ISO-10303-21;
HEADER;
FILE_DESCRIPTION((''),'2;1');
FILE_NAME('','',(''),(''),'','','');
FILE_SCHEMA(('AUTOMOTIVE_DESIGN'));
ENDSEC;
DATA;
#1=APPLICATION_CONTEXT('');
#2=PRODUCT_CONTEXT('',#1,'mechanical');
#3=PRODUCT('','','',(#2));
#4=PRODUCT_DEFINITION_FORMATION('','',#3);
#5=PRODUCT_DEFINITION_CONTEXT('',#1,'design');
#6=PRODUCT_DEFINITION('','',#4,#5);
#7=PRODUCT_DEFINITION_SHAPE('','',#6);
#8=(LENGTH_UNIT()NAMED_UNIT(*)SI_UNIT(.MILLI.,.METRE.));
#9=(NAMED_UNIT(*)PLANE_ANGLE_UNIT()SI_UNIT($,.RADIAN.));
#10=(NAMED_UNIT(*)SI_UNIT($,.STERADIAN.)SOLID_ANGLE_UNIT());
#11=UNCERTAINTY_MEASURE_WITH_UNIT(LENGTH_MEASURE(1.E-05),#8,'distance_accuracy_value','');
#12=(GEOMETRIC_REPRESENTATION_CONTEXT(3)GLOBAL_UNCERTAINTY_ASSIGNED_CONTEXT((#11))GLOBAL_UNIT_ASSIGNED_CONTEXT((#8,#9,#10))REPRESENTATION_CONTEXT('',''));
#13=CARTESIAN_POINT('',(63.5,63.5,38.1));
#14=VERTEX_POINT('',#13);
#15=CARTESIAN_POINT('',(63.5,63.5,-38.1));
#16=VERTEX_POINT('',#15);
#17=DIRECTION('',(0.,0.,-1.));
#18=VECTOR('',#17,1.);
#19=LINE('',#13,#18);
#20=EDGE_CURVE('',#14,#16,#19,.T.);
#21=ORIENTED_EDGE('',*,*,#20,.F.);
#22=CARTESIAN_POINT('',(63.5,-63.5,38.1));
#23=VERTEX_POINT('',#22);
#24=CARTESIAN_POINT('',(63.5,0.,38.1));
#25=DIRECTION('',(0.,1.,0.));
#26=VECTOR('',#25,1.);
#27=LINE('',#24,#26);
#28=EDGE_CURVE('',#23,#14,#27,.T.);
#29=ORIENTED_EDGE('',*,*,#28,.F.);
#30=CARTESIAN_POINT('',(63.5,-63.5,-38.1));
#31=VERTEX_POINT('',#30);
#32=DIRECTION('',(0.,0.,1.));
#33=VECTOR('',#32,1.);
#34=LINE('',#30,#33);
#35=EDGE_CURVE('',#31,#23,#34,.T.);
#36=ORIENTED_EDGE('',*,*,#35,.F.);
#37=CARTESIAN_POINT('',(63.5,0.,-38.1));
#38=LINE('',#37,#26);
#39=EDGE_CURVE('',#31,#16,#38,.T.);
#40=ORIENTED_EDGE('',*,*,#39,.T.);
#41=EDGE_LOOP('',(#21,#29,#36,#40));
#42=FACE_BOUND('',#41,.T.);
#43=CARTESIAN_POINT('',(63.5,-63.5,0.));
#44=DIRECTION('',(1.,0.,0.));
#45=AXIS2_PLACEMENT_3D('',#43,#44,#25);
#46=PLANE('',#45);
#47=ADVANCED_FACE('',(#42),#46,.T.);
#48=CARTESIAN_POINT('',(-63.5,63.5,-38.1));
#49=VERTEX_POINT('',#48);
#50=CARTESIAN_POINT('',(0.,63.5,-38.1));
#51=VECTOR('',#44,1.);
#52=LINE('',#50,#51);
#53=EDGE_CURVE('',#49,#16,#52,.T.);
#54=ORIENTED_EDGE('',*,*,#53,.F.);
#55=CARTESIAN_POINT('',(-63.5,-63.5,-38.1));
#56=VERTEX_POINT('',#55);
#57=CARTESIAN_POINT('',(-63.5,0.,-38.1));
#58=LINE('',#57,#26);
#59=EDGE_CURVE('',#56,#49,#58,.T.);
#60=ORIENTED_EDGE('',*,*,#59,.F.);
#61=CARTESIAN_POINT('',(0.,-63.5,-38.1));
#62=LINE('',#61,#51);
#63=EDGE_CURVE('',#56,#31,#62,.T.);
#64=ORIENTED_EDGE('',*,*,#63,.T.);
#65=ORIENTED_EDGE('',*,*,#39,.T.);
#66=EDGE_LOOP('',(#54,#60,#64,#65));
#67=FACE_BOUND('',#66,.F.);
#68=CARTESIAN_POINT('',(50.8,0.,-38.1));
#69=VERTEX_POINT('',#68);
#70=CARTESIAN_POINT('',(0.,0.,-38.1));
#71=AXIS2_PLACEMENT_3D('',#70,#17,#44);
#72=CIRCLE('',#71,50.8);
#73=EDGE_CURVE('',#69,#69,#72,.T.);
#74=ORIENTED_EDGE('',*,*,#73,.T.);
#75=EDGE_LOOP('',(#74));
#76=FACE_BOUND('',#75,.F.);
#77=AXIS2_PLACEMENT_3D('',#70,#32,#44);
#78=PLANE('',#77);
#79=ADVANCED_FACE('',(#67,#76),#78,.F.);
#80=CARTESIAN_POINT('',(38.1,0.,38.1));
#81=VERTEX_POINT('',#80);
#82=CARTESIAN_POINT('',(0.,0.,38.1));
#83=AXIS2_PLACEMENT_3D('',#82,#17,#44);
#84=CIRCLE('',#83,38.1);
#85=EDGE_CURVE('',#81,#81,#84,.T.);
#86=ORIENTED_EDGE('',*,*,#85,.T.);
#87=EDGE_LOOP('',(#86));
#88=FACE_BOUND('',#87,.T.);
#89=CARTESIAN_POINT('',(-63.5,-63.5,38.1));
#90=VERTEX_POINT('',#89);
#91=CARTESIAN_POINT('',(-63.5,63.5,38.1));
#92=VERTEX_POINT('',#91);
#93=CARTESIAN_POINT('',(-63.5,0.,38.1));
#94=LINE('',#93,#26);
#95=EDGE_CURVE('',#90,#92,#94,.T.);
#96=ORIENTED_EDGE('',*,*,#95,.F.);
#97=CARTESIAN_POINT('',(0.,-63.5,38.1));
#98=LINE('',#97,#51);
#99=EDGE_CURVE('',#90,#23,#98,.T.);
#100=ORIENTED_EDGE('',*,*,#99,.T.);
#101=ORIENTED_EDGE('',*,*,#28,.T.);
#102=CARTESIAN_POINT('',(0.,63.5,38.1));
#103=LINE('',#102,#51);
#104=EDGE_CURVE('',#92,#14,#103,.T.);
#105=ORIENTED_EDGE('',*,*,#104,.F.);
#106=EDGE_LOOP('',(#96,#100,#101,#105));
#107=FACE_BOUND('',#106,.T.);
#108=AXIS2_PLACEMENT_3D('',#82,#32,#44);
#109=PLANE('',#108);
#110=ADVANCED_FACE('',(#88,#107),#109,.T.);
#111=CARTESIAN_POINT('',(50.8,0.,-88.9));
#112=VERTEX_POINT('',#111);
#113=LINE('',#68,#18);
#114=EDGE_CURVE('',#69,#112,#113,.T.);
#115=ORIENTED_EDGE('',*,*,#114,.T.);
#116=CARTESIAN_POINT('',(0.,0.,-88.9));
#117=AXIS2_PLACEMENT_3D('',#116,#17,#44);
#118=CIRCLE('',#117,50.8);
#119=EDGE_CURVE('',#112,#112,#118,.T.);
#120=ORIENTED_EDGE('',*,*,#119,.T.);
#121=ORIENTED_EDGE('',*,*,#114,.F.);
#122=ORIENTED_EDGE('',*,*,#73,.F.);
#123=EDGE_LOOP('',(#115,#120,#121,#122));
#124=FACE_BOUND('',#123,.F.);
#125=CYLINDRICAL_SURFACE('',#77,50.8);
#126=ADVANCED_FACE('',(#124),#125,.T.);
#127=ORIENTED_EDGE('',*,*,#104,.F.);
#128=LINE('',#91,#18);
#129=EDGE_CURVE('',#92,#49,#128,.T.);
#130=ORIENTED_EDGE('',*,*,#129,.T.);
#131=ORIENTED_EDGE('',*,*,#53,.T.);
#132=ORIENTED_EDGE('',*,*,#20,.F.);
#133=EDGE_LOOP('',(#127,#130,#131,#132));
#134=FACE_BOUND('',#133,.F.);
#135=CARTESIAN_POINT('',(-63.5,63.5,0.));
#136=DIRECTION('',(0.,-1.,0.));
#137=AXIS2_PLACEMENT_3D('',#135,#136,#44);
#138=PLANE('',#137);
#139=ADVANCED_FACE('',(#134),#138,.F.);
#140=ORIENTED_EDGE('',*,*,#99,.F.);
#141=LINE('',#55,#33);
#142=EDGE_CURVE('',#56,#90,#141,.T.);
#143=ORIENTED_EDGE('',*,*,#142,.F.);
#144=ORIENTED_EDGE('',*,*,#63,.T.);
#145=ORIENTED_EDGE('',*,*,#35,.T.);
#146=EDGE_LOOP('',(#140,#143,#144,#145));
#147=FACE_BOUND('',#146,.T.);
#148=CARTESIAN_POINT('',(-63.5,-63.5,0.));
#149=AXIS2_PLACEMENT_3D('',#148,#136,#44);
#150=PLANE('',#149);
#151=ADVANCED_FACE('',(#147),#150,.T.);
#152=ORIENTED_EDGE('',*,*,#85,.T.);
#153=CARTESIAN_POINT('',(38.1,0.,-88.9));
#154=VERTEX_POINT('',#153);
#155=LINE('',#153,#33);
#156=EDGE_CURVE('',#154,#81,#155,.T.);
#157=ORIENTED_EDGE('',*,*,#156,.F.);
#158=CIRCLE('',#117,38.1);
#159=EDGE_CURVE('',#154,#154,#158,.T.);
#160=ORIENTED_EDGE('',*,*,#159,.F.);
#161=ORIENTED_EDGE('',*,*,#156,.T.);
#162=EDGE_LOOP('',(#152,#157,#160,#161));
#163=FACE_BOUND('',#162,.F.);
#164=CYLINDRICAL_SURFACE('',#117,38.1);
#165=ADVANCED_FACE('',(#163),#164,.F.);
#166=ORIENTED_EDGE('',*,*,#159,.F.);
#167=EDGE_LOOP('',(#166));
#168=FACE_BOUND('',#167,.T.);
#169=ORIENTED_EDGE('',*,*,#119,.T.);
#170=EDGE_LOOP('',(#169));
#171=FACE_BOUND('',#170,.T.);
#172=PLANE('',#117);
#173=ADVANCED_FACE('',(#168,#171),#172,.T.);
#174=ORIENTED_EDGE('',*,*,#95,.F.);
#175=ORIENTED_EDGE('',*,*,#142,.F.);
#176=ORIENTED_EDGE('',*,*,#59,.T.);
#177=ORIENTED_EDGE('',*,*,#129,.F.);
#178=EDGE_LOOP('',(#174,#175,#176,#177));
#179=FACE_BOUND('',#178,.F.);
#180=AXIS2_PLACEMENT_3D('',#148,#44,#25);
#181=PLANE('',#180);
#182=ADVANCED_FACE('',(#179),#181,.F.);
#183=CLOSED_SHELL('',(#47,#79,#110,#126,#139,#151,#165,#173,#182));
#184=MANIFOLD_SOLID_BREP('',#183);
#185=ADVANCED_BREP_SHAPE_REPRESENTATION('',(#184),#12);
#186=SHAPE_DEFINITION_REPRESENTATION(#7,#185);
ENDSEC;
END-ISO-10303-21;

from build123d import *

# Parameters (mm, degrees)
F0_W     = 127
F0_H     = 127
F1_DEPTH = 38.1
F2_R     = 50.8
F3_DEPTH = 50.8
F4_R     = 38.1
F5_DEPTH = 127.001


with BuildPart() as f1:
    # F0 (on Top) → F1 (new body, symmetric)
    with BuildSketch(Plane.XY):
        Rectangle(F0_W, F0_H)
    extrude(amount=F1_DEPTH, both=True)

    # F2 (on face) → F3 (join)
    with BuildSketch(Plane(origin=(0, 0, -38.1), x_dir=(1, 0, 0), z_dir=(0, 0, -1))):
        Circle(F2_R)
    extrude(amount=F3_DEPTH)

    # F4 (on face) → F5 (cut, through all)
    with BuildSketch(Plane(origin=(0, 0, -88.9), x_dir=(1, 0, 0), z_dir=(0, 0, -1))):
        Circle(F4_R)
    extrude(amount=-F5_DEPTH, mode=Mode.SUBTRACT)


solid = f1.part
